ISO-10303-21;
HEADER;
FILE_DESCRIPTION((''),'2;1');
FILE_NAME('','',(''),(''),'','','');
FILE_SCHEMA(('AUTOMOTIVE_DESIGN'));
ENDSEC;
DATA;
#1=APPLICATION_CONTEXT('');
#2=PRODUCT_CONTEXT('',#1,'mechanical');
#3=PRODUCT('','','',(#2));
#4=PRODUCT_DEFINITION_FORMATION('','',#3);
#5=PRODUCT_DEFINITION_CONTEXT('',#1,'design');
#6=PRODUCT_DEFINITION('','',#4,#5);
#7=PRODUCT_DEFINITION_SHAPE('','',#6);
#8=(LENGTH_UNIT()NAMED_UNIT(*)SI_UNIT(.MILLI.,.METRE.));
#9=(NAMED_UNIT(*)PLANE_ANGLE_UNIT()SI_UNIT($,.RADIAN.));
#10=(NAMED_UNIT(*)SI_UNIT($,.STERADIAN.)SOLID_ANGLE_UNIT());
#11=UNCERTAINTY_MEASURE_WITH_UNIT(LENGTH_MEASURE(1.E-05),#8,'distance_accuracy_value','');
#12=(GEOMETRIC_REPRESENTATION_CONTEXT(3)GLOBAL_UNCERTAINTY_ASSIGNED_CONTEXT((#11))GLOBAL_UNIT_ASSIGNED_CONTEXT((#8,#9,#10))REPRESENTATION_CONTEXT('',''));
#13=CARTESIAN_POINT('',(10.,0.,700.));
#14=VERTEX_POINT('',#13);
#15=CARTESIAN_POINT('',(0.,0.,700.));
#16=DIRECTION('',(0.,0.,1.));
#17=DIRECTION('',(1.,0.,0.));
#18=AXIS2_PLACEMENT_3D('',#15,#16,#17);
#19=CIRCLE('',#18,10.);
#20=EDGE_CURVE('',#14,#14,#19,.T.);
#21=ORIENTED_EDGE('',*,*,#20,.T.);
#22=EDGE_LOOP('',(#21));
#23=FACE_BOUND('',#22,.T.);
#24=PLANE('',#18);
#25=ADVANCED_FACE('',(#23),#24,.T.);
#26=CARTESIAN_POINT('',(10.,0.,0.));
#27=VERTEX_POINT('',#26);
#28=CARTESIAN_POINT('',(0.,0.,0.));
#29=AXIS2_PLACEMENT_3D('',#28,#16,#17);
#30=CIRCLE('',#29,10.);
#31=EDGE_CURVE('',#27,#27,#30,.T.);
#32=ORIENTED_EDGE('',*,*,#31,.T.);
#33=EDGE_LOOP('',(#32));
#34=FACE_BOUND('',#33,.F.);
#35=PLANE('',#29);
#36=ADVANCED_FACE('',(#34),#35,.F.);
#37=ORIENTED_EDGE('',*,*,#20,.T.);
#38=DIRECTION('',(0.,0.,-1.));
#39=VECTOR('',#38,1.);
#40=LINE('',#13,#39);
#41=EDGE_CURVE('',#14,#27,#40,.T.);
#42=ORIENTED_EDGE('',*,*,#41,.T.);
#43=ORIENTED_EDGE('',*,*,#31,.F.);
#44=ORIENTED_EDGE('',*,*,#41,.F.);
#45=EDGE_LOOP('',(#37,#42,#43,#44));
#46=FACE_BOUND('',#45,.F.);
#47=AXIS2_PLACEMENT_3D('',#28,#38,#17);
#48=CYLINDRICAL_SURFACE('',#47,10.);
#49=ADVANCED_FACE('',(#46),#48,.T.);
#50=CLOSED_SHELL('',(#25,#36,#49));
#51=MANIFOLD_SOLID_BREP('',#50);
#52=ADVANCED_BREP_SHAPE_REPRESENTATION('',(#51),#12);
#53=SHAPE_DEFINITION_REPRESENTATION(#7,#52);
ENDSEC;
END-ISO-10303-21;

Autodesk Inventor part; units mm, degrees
ref_plane "YZ Plane" through (0, 0, 0) normal (1, 0, 0) x (0, 1, 0)
ref_plane "XZ Plane" through (0, 0, 0) normal (0, 1, 0) x (-1, 0, 0)
ref_plane "XY Plane" through (0, 0, 0) normal (0, 0, 1) x (1, 0, 0)
sketch "Skizze1" plane through (0, 0, 0) normal (0, 0, 1) x (1, 0, 0)
  circle A0 centre (0, 0) radius 10
  dimension "d0" = 20
extrude "Extrusion1" add sketch "Skizze1" along normal blind 300
sketch "Skizze2" plane through (0, 0, 300) normal (0, 0, 1) x (1, 0, 0)
  circle A0 centre (0, 0) radius 10 projected
extrude "Extrusion2" add sketch "Skizze2" along normal blind 400
properties part number "pipe_700"
